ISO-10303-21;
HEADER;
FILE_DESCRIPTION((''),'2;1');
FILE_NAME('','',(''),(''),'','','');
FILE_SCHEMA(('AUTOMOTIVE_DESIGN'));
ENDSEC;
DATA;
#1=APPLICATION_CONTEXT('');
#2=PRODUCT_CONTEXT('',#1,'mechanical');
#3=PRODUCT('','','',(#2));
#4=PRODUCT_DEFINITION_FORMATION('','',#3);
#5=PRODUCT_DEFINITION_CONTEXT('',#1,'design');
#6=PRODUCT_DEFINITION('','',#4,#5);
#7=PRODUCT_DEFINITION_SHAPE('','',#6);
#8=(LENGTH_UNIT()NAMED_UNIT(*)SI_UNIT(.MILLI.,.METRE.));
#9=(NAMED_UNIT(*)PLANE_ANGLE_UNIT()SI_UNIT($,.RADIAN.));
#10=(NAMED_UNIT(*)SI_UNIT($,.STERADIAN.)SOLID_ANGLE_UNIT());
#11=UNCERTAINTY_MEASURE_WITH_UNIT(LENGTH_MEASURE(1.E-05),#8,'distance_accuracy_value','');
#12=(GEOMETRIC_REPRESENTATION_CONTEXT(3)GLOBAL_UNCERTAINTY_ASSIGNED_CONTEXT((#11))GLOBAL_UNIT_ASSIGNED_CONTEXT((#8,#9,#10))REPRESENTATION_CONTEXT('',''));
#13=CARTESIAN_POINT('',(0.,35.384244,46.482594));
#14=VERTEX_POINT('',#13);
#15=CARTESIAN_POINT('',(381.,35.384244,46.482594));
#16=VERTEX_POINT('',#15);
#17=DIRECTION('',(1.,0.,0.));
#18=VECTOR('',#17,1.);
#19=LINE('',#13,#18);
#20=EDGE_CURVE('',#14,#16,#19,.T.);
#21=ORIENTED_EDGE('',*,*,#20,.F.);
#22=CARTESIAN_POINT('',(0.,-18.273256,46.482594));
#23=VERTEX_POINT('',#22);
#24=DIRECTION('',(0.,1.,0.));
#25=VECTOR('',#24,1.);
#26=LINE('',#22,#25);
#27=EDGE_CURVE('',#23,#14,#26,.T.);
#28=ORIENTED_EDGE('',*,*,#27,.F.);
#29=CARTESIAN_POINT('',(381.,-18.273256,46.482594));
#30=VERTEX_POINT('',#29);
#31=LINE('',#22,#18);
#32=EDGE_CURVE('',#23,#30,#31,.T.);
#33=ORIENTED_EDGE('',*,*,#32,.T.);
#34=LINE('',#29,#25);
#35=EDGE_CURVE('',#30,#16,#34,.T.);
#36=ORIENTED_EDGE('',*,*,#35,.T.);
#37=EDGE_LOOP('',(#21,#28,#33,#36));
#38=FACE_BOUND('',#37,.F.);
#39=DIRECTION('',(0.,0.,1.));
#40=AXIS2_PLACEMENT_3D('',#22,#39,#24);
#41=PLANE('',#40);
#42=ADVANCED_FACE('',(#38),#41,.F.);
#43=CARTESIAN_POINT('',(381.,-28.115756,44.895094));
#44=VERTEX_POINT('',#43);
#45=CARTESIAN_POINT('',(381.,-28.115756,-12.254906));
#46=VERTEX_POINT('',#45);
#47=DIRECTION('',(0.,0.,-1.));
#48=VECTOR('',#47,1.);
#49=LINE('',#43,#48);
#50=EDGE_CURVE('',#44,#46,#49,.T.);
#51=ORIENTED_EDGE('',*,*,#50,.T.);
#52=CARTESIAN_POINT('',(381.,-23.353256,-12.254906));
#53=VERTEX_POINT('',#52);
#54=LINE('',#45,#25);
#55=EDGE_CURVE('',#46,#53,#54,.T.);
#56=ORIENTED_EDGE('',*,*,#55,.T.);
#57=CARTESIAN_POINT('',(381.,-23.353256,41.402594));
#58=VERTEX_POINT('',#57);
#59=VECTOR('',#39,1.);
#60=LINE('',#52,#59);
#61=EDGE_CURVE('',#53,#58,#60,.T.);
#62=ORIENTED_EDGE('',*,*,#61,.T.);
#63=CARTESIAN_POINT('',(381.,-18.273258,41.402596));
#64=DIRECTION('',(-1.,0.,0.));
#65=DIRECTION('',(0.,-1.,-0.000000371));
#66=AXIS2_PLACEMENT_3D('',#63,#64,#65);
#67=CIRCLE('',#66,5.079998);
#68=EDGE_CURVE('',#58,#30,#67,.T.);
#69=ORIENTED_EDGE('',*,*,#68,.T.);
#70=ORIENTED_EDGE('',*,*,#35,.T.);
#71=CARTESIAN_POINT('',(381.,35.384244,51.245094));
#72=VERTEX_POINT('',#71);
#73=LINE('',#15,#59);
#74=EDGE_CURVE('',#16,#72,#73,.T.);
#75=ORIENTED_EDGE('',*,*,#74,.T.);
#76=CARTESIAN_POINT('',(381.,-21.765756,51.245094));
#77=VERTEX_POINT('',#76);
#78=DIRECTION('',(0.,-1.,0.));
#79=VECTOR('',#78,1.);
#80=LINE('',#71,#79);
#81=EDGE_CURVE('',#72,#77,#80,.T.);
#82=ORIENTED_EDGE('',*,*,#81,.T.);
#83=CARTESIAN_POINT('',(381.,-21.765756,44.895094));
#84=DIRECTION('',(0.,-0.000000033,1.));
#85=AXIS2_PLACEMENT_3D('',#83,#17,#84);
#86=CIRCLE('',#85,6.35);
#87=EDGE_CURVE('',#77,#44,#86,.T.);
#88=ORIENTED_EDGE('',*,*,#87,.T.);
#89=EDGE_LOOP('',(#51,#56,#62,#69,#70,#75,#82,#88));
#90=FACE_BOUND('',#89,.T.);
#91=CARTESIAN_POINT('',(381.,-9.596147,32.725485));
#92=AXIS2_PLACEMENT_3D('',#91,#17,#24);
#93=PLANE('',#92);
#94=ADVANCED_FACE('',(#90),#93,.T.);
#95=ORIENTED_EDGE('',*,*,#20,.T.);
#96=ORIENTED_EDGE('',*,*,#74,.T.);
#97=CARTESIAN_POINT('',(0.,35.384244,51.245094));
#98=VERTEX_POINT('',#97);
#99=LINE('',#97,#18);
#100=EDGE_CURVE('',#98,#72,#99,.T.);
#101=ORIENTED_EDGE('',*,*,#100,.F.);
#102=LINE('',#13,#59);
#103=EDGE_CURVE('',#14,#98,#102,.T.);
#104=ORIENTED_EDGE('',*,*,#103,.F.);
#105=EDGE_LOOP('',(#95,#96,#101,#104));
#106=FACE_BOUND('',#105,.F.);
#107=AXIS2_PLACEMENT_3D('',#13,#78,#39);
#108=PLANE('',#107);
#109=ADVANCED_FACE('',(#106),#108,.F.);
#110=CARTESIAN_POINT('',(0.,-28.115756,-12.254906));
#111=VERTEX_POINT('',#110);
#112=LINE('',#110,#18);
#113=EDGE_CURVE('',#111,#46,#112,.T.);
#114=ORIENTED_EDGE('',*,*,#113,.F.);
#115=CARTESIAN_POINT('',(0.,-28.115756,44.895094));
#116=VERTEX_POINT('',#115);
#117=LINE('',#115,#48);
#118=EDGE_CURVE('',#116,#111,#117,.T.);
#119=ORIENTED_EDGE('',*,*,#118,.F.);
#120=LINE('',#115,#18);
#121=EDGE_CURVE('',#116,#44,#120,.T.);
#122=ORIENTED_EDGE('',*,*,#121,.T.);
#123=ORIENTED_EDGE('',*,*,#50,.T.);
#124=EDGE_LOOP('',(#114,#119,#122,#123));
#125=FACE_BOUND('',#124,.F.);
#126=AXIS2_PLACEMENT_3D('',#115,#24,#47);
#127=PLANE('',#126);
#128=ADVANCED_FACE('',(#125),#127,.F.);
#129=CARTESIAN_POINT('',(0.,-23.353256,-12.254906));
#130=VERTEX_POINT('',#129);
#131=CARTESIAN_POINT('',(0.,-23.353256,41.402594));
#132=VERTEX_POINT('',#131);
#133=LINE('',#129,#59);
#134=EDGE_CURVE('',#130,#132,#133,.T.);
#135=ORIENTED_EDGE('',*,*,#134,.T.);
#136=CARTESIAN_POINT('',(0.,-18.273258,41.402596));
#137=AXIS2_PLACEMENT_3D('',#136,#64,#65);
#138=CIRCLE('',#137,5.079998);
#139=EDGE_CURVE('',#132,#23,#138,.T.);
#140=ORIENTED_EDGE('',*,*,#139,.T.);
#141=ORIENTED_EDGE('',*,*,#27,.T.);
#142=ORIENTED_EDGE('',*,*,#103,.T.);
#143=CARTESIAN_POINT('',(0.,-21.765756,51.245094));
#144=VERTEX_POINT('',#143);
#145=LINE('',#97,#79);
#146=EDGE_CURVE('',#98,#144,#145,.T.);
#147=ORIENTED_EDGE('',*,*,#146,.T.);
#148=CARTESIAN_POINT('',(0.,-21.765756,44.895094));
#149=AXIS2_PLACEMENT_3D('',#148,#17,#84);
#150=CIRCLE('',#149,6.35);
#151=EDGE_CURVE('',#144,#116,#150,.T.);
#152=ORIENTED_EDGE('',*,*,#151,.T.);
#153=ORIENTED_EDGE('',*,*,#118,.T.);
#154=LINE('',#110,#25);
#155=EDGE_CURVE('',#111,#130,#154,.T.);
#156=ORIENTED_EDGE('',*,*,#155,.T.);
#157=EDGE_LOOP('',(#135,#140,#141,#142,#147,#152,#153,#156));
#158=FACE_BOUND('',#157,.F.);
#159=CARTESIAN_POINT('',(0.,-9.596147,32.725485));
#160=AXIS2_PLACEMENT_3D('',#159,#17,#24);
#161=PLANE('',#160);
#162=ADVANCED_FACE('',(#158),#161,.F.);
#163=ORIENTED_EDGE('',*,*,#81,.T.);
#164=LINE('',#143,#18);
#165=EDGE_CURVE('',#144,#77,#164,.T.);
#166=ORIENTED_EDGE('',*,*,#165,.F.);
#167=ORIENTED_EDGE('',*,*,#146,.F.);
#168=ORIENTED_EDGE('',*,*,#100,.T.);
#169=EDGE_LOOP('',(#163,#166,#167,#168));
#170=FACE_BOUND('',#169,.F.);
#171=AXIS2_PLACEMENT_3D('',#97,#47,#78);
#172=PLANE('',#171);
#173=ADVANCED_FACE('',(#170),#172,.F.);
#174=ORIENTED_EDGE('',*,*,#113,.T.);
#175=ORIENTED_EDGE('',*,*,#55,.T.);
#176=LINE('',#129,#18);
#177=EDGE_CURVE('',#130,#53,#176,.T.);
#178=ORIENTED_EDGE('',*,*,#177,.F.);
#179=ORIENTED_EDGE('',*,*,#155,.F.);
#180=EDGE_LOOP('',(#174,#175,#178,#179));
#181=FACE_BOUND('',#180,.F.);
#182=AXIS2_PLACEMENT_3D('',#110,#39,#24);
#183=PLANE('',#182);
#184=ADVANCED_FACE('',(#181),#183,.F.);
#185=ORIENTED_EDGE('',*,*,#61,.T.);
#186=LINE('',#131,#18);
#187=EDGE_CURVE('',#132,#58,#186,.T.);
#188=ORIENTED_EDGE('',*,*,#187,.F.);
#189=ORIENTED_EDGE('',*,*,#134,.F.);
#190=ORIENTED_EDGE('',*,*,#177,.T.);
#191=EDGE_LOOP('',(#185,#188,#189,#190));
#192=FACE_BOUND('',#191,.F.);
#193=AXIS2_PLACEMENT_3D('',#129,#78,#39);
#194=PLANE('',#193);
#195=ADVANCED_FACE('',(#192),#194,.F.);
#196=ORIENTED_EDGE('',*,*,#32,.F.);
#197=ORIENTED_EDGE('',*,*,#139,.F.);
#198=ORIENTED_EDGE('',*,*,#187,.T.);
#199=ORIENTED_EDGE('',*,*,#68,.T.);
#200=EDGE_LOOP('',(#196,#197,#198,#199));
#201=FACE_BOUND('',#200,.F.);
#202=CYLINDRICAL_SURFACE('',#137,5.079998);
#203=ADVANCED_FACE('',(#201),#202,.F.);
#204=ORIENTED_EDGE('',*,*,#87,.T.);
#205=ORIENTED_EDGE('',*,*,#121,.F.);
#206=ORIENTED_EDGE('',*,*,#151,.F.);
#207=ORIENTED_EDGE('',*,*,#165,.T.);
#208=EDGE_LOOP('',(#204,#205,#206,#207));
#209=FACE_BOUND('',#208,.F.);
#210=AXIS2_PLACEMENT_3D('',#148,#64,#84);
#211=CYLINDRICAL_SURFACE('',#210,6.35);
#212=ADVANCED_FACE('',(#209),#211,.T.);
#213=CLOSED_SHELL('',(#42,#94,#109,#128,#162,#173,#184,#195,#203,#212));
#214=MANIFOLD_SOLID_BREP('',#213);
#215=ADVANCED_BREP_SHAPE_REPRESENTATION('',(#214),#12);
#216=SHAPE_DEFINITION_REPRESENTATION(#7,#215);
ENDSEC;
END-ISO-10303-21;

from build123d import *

# Parameters (mm, degrees)
F1_DEPTH = 381


with BuildPart() as f1:
    # F0 (on Right) → F1 (new body)
    with BuildSketch(Plane.YZ):
        with BuildLine():
            Line((-28.115756, 44.895094), (-28.115756, -12.254906))
            Line((-28.115756, -12.254906), (-23.353256, -12.254906))
            Line((-23.353256, -12.254906), (-23.353256, 41.402594))
            ThreePointArc((-23.353256, 41.402594), (-21.865359, 44.994697), (-18.273256, 46.482594))
            Line((-18.273256, 46.482594), (35.384244, 46.482594))
            Line((35.384244, 46.482594), (35.384244, 51.245094))
            Line((35.384244, 51.245094), (-21.765756, 51.245094))
            ThreePointArc((-21.765756, 51.245094), (-26.255884, 49.385222), (-28.115756, 44.895094))
        make_face()
    extrude(amount=F1_DEPTH)


solid = f1.part
